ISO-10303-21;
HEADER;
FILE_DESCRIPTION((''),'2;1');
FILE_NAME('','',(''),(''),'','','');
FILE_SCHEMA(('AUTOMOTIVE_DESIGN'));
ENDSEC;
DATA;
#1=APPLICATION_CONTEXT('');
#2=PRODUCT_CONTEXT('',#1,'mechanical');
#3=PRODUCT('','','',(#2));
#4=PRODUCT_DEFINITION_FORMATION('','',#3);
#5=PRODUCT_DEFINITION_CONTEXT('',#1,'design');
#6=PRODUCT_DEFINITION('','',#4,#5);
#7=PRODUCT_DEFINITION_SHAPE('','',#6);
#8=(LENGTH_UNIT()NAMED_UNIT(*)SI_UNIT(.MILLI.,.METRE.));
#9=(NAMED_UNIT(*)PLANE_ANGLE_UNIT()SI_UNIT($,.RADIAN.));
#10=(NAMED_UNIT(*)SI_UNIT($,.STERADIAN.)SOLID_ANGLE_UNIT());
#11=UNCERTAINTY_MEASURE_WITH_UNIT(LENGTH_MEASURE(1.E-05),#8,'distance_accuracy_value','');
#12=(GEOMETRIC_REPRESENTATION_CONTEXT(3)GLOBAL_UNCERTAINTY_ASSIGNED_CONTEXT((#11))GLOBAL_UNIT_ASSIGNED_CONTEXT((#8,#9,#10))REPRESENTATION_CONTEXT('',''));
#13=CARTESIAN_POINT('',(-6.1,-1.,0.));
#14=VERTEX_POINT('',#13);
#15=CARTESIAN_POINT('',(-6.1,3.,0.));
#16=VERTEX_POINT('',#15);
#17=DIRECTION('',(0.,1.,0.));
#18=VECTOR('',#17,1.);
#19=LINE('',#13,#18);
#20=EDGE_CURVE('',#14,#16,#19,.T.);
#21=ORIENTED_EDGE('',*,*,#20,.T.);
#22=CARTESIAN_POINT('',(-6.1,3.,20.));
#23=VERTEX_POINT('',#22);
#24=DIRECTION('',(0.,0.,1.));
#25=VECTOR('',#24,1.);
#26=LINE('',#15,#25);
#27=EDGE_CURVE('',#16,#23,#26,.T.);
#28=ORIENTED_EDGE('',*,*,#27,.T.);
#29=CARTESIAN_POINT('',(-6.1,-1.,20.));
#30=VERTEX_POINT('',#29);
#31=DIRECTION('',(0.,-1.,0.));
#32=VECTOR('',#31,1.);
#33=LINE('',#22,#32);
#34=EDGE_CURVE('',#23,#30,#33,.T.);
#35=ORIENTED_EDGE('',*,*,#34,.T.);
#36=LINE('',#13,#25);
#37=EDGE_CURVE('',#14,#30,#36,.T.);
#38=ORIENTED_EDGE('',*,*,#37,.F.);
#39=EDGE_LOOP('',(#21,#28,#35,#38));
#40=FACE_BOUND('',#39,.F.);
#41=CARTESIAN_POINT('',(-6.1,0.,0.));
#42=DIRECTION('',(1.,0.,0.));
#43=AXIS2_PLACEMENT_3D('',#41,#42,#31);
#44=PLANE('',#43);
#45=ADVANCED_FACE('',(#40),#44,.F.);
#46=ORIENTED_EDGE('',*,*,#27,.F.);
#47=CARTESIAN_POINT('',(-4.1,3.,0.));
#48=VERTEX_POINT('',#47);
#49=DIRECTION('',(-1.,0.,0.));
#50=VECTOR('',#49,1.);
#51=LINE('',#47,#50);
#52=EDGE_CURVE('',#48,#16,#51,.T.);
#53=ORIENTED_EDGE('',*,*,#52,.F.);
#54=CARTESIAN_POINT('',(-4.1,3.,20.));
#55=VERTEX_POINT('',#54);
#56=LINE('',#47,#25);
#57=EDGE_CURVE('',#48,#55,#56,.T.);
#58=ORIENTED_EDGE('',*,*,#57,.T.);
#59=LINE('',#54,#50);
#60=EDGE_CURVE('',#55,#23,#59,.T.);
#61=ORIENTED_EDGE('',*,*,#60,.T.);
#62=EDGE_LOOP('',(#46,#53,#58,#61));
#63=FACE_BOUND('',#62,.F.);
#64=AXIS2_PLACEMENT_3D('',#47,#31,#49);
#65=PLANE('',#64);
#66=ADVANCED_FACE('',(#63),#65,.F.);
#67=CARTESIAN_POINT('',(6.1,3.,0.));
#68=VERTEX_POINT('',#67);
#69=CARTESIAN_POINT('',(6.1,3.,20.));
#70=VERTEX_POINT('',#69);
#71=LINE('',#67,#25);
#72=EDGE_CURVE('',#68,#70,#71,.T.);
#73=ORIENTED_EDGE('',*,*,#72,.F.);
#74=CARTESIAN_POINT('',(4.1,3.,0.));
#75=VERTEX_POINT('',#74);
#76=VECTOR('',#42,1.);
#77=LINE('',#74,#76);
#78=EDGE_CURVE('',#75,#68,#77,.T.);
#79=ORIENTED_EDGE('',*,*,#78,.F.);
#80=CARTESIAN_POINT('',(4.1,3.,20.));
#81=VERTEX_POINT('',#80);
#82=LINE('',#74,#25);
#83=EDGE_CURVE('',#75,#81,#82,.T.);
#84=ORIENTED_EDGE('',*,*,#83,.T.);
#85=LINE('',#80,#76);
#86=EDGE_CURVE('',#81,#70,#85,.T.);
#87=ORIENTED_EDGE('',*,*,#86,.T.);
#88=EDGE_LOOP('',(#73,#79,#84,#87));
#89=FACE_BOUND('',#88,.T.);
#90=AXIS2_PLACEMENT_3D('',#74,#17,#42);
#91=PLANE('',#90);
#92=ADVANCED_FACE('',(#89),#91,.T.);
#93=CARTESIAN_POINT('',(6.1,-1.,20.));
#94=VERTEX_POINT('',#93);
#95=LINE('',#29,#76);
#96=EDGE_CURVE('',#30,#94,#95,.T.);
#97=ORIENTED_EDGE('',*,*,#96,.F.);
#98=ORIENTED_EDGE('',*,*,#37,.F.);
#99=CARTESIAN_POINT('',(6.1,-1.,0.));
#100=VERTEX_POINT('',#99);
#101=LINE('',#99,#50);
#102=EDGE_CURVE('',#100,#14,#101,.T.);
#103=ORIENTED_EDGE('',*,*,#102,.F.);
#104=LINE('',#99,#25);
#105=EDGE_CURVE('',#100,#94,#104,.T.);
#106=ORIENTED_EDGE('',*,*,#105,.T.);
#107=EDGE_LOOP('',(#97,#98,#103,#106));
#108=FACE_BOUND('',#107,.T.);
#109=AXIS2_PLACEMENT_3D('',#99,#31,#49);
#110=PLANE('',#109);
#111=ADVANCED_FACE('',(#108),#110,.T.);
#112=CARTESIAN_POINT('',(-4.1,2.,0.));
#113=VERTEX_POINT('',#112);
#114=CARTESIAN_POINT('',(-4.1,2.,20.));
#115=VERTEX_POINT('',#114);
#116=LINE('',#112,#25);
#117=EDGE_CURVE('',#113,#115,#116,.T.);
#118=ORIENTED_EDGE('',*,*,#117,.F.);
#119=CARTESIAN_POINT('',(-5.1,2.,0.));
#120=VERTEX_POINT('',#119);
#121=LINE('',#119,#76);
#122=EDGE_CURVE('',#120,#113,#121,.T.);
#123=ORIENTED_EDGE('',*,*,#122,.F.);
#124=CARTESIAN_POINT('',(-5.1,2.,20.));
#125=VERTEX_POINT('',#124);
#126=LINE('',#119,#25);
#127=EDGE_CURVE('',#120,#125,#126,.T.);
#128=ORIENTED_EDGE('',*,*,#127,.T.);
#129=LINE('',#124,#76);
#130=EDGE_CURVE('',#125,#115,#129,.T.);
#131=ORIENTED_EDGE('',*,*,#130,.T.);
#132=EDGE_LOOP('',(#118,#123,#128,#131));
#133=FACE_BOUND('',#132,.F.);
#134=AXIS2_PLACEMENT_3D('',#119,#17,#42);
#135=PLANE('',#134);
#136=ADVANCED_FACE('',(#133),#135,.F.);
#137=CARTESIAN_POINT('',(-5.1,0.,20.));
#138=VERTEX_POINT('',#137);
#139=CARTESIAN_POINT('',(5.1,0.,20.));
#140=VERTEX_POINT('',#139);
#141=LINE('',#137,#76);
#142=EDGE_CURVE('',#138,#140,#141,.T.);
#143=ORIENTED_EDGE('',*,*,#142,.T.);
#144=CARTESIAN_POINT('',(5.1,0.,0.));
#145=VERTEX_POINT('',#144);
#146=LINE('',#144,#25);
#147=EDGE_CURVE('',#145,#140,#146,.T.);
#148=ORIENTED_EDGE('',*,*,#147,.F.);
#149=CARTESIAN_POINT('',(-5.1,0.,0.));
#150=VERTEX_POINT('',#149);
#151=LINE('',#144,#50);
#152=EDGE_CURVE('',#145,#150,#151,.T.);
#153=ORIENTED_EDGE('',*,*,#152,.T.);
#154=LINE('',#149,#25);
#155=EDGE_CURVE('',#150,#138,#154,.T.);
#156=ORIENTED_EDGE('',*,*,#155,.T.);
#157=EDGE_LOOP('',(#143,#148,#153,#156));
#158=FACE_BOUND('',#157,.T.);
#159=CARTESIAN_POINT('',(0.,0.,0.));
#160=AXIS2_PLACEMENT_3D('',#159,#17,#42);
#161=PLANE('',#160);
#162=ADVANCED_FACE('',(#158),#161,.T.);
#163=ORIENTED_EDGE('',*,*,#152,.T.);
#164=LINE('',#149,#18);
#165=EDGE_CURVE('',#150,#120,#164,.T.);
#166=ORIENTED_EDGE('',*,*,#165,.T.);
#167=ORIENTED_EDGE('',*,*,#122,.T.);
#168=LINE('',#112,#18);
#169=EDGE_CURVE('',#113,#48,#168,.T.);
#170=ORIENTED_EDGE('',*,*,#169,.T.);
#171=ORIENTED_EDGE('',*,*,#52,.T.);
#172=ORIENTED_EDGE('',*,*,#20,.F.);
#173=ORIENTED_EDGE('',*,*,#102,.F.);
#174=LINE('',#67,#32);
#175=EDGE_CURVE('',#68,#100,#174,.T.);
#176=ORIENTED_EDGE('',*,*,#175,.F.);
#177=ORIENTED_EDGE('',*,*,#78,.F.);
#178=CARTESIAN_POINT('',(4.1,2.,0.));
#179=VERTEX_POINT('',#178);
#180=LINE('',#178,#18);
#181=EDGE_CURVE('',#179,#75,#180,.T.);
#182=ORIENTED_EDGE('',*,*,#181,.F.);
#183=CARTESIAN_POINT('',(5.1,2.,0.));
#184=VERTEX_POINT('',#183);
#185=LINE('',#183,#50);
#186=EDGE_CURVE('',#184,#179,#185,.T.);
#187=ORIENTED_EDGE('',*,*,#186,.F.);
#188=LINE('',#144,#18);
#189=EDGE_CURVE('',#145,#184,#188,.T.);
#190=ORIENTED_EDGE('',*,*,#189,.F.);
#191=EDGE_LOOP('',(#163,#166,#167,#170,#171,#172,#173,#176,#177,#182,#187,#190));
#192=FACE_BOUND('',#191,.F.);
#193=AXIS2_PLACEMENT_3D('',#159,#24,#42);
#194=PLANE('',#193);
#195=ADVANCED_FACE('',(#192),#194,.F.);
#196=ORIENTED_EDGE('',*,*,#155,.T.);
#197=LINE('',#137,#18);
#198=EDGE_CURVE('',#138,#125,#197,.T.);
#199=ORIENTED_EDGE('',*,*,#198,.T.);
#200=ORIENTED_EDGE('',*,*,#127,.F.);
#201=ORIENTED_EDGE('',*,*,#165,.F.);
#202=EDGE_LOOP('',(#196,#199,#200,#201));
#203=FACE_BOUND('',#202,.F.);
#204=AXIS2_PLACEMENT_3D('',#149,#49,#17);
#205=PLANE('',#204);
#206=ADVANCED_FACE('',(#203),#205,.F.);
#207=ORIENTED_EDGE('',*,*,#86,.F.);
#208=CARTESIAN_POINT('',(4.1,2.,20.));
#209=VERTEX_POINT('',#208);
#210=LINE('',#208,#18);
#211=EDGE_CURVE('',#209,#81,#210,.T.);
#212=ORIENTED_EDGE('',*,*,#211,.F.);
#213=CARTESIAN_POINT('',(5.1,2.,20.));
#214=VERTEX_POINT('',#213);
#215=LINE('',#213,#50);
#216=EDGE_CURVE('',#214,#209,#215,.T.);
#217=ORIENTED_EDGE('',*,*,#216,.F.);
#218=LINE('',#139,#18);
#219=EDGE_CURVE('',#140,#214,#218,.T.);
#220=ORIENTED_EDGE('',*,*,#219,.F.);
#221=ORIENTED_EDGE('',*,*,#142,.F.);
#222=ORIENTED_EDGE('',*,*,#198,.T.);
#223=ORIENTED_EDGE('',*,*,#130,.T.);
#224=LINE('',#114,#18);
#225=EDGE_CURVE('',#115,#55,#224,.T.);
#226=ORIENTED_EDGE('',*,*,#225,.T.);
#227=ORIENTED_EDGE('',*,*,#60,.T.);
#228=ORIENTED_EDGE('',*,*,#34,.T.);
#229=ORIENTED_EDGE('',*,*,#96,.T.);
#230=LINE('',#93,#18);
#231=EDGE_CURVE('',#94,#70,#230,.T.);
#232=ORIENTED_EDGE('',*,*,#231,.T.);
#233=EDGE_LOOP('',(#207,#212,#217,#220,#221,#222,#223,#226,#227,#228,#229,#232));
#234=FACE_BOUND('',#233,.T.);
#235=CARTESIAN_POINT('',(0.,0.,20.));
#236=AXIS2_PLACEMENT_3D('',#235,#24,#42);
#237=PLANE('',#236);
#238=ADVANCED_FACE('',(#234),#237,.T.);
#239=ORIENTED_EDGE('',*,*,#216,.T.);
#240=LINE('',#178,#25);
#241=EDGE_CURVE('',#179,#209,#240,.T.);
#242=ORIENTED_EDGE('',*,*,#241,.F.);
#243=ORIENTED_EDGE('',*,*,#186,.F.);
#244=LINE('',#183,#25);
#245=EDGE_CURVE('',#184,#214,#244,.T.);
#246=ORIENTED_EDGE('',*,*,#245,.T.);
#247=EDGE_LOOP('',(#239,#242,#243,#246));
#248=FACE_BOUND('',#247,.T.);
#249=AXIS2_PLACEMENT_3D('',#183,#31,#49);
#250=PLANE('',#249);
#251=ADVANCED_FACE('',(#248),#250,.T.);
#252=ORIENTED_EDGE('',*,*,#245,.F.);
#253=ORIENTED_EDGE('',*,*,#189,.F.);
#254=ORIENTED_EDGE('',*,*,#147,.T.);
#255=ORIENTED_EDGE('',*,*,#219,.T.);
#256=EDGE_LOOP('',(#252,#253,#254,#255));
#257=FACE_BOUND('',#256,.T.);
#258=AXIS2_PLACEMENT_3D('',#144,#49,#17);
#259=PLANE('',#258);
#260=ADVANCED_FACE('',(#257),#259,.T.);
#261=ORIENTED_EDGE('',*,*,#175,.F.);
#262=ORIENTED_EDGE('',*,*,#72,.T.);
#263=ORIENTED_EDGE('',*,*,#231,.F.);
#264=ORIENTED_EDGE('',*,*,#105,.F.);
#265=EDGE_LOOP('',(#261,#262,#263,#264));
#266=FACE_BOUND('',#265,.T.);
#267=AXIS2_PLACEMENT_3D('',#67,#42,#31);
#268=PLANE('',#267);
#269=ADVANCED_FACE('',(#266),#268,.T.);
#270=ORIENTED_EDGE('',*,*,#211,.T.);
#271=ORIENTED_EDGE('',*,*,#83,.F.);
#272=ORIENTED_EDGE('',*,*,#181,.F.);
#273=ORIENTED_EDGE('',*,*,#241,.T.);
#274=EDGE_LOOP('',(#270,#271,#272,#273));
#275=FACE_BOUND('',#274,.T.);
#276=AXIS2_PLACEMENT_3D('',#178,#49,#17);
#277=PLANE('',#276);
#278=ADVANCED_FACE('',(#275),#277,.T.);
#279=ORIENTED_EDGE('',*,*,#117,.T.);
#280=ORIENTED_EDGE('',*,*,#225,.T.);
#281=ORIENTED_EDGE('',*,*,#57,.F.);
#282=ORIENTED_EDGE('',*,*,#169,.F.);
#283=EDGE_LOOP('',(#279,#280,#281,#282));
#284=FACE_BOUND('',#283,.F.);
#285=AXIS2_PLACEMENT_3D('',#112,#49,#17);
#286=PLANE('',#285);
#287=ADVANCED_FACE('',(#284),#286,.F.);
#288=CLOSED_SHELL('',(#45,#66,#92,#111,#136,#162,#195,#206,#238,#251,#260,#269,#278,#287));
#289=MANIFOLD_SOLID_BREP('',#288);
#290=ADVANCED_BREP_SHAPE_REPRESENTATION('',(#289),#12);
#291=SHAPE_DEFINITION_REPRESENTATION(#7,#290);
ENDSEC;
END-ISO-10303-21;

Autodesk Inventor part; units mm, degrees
ref_plane "YZ Plane" through (0, 0, 0) normal (1, 0, 0) x (0, 1, 0)
ref_plane "XZ Plane" through (0, 0, 0) normal (0, 1, 0) x (-1, 0, 0)
ref_plane "XY Plane" through (0, 0, 0) normal (0, 0, 1) x (1, 0, 0)
sketch "Náčrt1" plane through (0, 0, 0) normal (0, 0, 1) x (1, 0, 0)
  line L0 (0, 0) -> (5.1, 0)
  line L1 (5.1, 0) -> (5.1, 2)
  line L2 (5.1, 2) -> (4.1, 2)
  line L3 (4.1, 2) -> (4.1, 3)
  line L4 (4.1, 3) -> (6.1, 3)
  line L5 (6.1, 3) -> (6.1, 0)
  line L6 (6.1, 0) -> (6.1, -1)
  line L7 (6.1, -1) -> (0, -1)
  line L8 (0, 0) -> (0, -1)
  line L9 (0, 0) -> (-5.1, 0)
  line L10 (-5.1, 0) -> (-5.1, 2)
  line L11 (-5.1, 2) -> (-4.1, 2)
  line L12 (-4.1, 2) -> (-4.1, 3)
  line L13 (-4.1, 3) -> (-6.1, 3)
  line L14 (-6.1, 3) -> (-6.1, 0)
  line L15 (-6.1, 0) -> (-6.1, -1)
  line L16 (-6.1, -1) -> (0, -1)
  point P0 (4.1, 2)
  point P1 (-4.1, 2)
  dimension "d0" = 5.1
  dimension "d1" = 2
  dimension "d2" = 1
  dimension "d3" = 1
  dimension "d4" = 2
  dimension "d5" = 1
extrude "Vysunutí1" add sketch "Náčrt1" along normal blind 20
sketch "Náčrt2" plane through (0, 0, 20) normal (0, 0, 1) x (1, 0, 0)
  point P0 (0, 0)
properties part number "wsb"
